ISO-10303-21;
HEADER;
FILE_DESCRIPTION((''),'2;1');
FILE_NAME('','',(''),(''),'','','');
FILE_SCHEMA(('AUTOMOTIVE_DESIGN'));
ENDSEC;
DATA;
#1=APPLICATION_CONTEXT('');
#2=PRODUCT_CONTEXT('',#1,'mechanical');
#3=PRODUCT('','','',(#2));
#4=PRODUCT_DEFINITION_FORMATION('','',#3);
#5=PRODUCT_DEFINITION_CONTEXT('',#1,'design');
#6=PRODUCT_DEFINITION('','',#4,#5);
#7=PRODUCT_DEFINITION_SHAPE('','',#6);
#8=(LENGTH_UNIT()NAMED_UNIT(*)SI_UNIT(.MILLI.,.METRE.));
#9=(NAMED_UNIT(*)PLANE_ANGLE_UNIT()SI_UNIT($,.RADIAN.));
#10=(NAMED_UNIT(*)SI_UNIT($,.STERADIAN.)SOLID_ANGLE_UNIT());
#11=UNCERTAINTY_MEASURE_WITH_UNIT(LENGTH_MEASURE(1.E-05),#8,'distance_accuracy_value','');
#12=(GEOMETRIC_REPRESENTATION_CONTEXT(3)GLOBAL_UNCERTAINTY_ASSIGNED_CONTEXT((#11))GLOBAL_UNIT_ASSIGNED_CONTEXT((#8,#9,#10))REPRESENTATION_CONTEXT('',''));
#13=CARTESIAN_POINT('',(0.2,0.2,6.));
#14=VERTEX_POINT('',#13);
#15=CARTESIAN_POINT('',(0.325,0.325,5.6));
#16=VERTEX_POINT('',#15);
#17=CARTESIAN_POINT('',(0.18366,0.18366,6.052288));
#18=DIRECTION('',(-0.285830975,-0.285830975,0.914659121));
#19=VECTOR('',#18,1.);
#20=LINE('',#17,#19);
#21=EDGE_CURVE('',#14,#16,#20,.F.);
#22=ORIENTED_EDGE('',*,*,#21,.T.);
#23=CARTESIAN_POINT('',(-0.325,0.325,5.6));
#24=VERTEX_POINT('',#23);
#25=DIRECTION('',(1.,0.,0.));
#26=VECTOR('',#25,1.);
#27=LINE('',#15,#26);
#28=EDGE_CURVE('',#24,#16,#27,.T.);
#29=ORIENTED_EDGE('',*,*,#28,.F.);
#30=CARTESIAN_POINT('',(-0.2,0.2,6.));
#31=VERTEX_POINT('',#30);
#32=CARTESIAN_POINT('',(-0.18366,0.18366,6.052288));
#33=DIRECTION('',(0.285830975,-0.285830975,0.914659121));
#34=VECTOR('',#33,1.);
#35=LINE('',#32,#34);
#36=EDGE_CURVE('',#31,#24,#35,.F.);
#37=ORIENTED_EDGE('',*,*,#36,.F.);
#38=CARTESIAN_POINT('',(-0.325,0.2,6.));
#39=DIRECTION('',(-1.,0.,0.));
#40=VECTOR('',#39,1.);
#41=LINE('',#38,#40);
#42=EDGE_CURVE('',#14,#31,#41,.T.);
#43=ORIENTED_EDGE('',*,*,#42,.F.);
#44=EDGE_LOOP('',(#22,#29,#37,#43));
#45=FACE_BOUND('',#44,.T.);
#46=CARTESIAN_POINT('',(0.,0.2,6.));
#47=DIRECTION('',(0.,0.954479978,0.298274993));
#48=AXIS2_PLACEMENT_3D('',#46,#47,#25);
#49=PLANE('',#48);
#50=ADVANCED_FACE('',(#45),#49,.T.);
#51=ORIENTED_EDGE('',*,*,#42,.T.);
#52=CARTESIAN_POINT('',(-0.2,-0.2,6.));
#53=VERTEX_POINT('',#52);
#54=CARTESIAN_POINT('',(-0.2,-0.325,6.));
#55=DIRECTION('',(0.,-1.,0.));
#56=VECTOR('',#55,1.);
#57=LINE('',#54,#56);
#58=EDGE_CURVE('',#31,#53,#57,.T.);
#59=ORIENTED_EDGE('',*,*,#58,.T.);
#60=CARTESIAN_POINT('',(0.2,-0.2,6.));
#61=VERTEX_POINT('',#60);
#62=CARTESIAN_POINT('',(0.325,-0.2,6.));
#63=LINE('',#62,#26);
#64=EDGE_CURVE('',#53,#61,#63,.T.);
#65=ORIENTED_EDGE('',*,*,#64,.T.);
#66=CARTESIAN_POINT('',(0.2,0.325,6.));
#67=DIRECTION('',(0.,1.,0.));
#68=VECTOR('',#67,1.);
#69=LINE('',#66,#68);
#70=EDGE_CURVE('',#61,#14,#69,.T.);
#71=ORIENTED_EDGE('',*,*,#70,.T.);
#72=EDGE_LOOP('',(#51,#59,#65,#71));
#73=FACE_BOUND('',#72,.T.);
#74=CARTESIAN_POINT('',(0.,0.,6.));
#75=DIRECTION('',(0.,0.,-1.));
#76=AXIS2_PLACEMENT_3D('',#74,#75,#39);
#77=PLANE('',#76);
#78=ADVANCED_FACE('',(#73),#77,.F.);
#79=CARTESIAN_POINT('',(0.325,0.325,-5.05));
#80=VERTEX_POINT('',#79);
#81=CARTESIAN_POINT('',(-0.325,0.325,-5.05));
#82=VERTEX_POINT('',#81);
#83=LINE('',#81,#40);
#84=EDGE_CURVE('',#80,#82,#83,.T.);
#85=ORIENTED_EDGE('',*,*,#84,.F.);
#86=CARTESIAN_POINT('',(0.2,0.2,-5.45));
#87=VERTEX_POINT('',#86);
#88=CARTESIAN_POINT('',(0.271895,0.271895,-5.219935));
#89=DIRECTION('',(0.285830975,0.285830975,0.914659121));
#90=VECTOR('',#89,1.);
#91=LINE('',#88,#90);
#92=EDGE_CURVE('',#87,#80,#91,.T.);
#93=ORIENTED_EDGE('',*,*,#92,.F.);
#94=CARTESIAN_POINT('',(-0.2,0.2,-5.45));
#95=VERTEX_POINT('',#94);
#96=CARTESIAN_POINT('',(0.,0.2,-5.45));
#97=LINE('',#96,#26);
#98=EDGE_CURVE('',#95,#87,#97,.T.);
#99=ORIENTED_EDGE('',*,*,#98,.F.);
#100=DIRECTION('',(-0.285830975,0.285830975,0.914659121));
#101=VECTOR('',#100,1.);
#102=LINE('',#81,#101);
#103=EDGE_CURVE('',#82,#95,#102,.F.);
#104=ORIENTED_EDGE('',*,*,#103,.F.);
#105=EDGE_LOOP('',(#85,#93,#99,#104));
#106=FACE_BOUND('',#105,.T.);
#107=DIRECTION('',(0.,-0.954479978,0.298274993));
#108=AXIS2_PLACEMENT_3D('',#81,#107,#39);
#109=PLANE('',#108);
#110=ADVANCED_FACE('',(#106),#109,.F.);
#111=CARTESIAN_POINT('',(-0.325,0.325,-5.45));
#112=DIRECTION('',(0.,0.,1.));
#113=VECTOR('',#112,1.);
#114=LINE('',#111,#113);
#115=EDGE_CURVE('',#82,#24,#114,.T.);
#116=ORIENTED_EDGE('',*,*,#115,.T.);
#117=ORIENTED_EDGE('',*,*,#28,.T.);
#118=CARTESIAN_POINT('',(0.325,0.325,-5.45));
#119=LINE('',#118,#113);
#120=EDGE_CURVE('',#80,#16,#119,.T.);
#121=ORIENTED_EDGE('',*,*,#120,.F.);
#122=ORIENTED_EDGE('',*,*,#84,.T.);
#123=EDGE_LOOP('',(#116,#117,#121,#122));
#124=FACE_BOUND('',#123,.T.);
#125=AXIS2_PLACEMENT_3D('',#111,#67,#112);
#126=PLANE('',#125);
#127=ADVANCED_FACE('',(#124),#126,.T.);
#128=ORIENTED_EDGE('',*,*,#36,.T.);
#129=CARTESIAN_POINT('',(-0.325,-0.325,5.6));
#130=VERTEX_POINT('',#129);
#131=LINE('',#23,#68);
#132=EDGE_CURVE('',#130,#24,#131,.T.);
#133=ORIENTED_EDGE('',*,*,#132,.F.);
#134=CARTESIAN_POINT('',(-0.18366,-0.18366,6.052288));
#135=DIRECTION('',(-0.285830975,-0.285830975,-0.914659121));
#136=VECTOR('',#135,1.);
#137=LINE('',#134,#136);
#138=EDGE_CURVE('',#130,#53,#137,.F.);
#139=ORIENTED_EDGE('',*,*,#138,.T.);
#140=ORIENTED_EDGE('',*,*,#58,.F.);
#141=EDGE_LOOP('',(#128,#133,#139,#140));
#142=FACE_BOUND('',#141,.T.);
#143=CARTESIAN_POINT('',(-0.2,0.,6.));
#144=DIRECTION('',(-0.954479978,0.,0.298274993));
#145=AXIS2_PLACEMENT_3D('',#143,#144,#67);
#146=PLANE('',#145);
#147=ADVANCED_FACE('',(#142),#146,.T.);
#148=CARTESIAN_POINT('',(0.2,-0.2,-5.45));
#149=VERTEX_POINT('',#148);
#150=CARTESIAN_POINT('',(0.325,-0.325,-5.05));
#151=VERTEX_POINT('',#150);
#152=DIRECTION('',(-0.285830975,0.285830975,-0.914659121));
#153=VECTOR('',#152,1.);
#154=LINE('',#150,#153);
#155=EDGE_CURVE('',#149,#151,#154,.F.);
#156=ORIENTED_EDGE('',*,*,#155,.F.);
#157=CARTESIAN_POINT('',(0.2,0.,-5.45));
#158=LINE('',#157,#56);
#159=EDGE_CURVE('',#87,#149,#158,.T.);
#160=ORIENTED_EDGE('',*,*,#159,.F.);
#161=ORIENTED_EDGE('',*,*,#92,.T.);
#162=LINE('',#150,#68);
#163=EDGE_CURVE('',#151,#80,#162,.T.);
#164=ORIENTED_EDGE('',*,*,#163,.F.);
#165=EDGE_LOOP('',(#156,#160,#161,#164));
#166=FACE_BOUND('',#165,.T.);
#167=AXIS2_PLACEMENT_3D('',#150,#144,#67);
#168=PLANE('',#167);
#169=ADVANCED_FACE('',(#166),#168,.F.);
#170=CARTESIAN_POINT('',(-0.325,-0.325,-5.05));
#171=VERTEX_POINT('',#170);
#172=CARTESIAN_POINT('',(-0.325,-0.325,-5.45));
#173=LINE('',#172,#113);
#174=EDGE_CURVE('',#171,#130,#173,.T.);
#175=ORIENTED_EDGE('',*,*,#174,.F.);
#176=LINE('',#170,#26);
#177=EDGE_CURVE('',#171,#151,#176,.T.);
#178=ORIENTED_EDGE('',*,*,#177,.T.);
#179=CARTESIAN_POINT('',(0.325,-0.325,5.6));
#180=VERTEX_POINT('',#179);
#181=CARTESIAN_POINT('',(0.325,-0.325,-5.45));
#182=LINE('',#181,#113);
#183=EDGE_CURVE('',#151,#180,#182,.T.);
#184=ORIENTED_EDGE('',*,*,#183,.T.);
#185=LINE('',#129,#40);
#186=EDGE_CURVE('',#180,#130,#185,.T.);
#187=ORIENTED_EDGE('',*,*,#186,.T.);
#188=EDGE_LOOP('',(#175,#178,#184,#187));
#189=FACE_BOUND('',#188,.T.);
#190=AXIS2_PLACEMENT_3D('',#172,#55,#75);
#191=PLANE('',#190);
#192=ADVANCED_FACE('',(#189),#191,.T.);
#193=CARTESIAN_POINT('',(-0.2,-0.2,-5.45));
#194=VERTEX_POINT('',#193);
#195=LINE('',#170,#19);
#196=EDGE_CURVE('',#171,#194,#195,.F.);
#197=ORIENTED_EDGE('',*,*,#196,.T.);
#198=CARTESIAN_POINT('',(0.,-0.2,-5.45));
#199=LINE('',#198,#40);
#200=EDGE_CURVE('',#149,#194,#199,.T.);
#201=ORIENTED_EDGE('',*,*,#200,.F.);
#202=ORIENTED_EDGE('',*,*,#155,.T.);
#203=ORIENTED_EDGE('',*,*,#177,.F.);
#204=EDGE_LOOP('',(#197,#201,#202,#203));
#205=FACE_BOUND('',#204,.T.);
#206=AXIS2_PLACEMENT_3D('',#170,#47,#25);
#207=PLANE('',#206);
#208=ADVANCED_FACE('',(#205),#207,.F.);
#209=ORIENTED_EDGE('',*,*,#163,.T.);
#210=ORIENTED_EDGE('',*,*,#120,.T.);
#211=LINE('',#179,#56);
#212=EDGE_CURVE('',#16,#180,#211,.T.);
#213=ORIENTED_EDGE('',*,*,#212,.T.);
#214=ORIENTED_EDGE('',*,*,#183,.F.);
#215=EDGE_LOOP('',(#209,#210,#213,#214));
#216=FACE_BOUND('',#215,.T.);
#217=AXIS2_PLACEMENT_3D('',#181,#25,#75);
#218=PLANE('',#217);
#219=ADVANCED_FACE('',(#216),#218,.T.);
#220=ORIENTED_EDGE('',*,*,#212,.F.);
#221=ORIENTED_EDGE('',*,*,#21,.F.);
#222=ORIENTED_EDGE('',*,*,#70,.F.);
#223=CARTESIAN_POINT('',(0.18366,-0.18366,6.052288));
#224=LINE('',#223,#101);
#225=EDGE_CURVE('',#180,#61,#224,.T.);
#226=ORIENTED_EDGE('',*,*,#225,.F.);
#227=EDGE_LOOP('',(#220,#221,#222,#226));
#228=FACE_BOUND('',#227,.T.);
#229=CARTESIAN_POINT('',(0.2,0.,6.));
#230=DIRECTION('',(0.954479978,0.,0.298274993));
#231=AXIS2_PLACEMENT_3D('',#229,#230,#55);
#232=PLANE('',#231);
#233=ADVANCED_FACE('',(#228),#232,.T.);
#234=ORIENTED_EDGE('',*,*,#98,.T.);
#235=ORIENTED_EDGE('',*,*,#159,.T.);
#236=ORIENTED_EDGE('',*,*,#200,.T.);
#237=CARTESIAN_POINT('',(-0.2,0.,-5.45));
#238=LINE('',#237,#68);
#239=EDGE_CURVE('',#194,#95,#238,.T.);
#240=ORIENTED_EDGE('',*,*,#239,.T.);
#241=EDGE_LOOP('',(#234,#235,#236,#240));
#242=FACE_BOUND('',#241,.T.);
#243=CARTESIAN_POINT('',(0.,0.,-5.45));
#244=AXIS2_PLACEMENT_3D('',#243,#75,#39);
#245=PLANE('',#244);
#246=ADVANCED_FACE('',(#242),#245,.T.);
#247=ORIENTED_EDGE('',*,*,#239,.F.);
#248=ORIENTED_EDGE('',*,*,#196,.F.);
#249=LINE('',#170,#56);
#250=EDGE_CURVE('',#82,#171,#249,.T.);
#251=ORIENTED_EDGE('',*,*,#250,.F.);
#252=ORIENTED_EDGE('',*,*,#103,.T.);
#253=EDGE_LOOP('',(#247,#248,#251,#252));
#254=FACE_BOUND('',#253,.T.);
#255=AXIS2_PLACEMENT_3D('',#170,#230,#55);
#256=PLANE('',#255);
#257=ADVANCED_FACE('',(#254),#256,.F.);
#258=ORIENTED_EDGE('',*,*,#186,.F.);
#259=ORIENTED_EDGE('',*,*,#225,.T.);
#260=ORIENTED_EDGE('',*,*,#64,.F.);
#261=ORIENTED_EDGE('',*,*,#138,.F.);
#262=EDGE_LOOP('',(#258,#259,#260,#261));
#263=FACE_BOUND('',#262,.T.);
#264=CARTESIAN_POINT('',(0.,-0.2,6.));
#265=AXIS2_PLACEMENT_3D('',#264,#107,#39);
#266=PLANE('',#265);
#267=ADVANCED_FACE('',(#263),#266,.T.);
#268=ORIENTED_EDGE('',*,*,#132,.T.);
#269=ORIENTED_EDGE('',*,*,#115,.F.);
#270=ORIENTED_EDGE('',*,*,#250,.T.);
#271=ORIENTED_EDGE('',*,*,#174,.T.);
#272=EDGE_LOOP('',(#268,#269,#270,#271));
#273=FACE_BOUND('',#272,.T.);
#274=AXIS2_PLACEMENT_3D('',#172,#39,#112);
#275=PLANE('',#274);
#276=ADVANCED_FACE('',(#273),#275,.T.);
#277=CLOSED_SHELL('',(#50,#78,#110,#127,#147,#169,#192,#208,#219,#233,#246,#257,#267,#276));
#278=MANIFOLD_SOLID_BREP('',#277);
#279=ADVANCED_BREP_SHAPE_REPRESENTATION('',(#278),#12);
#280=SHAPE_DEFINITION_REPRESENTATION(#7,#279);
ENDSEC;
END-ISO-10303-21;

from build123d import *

# Parameters (mm, degrees)
ESQUISSE1_W             = 0.65
ESQUISSE1_H             = 0.65
BOSS_EXTRU_1_DEPTH      = 6
BOSS_EXTRU_1_DEPTH_BACK = 5.45
CHANFREIN1_SIZE         = 0.4
CHANFREIN1_SIZE2        = 0.125
CHANFREIN1_PART_2_SIZE  = 0.4
CHANFREIN1_PART_2_SIZE2 = 0.125
CHANFREIN1_PART_3_SIZE  = 0.4
CHANFREIN1_PART_3_SIZE2 = 0.125
CHANFREIN1_PART_4_SIZE  = 0.4
CHANFREIN1_PART_4_SIZE2 = 0.125
CHANFREIN2_SIZE         = 0.125
CHANFREIN2_SIZE2        = 0.4


with BuildPart() as part:
    # Esquisse1 → Boss.-Extru.1 (new body, two sides)
    with BuildSketch(Plane.XY) as boss_extru_1_sk:
        Rectangle(ESQUISSE1_W, ESQUISSE1_H)
    extrude(amount=BOSS_EXTRU_1_DEPTH)
    extrude(boss_extru_1_sk.sketch, amount=-BOSS_EXTRU_1_DEPTH_BACK)

    # Chanfrein1
    chanfrein1_edges = [part.edges().sort_by_distance(p)[0] for p in [
        (0.325, 0, 6),
    ]]
    chanfrein1_side = [part.faces().sort_by_distance(p)[0] for p in [
        (0.325, 0, 0.275),
    ]]
    chamfer(chanfrein1_edges, length=CHANFREIN1_SIZE, length2=CHANFREIN1_SIZE2, reference=chanfrein1_side[0])

    # Chanfrein1 part 2
    chanfrein1_part_2_edges = [part.edges().sort_by_distance(p)[0] for p in [
        (0, 0.325, 6),
    ]]
    chanfrein1_part_2_side = [part.faces().sort_by_distance(p)[0] for p in [
        (0, 0.325, 0.275),
    ]]
    chamfer(chanfrein1_part_2_edges, length=CHANFREIN1_PART_2_SIZE, length2=CHANFREIN1_PART_2_SIZE2, reference=chanfrein1_part_2_side[0])

    # Chanfrein1 part 3
    chanfrein1_part_3_edges = [part.edges().sort_by_distance(p)[0] for p in [
        (-0.325, 0, 6),
    ]]
    chanfrein1_part_3_side = [part.faces().sort_by_distance(p)[0] for p in [
        (-0.325, 0, 0.275),
    ]]
    chamfer(chanfrein1_part_3_edges, length=CHANFREIN1_PART_3_SIZE, length2=CHANFREIN1_PART_3_SIZE2, reference=chanfrein1_part_3_side[0])

    # Chanfrein1 part 4
    chanfrein1_part_4_edges = [part.edges().sort_by_distance(p)[0] for p in [
        (0, -0.325, 6),
    ]]
    chanfrein1_part_4_side = [part.faces().sort_by_distance(p)[0] for p in [
        (0, -0.325, 0.275),
    ]]
    chamfer(chanfrein1_part_4_edges, length=CHANFREIN1_PART_4_SIZE, length2=CHANFREIN1_PART_4_SIZE2, reference=chanfrein1_part_4_side[0])

    # Chanfrein2
    chanfrein2_edges = [part.edges().sort_by_distance(p)[0] for p in [
        (-0.325, 0, -5.45),
        (0, -0.325, -5.45),
        (0.325, 0, -5.45),
        (0, 0.325, -5.45),
    ]]
    chanfrein2_side = [part.faces().sort_by_distance(p)[0] for p in [
        (0, 0, -5.45),
    ]]
    chamfer(chanfrein2_edges, length=CHANFREIN2_SIZE, length2=CHANFREIN2_SIZE2, reference=chanfrein2_side[0])


solid = part.part
